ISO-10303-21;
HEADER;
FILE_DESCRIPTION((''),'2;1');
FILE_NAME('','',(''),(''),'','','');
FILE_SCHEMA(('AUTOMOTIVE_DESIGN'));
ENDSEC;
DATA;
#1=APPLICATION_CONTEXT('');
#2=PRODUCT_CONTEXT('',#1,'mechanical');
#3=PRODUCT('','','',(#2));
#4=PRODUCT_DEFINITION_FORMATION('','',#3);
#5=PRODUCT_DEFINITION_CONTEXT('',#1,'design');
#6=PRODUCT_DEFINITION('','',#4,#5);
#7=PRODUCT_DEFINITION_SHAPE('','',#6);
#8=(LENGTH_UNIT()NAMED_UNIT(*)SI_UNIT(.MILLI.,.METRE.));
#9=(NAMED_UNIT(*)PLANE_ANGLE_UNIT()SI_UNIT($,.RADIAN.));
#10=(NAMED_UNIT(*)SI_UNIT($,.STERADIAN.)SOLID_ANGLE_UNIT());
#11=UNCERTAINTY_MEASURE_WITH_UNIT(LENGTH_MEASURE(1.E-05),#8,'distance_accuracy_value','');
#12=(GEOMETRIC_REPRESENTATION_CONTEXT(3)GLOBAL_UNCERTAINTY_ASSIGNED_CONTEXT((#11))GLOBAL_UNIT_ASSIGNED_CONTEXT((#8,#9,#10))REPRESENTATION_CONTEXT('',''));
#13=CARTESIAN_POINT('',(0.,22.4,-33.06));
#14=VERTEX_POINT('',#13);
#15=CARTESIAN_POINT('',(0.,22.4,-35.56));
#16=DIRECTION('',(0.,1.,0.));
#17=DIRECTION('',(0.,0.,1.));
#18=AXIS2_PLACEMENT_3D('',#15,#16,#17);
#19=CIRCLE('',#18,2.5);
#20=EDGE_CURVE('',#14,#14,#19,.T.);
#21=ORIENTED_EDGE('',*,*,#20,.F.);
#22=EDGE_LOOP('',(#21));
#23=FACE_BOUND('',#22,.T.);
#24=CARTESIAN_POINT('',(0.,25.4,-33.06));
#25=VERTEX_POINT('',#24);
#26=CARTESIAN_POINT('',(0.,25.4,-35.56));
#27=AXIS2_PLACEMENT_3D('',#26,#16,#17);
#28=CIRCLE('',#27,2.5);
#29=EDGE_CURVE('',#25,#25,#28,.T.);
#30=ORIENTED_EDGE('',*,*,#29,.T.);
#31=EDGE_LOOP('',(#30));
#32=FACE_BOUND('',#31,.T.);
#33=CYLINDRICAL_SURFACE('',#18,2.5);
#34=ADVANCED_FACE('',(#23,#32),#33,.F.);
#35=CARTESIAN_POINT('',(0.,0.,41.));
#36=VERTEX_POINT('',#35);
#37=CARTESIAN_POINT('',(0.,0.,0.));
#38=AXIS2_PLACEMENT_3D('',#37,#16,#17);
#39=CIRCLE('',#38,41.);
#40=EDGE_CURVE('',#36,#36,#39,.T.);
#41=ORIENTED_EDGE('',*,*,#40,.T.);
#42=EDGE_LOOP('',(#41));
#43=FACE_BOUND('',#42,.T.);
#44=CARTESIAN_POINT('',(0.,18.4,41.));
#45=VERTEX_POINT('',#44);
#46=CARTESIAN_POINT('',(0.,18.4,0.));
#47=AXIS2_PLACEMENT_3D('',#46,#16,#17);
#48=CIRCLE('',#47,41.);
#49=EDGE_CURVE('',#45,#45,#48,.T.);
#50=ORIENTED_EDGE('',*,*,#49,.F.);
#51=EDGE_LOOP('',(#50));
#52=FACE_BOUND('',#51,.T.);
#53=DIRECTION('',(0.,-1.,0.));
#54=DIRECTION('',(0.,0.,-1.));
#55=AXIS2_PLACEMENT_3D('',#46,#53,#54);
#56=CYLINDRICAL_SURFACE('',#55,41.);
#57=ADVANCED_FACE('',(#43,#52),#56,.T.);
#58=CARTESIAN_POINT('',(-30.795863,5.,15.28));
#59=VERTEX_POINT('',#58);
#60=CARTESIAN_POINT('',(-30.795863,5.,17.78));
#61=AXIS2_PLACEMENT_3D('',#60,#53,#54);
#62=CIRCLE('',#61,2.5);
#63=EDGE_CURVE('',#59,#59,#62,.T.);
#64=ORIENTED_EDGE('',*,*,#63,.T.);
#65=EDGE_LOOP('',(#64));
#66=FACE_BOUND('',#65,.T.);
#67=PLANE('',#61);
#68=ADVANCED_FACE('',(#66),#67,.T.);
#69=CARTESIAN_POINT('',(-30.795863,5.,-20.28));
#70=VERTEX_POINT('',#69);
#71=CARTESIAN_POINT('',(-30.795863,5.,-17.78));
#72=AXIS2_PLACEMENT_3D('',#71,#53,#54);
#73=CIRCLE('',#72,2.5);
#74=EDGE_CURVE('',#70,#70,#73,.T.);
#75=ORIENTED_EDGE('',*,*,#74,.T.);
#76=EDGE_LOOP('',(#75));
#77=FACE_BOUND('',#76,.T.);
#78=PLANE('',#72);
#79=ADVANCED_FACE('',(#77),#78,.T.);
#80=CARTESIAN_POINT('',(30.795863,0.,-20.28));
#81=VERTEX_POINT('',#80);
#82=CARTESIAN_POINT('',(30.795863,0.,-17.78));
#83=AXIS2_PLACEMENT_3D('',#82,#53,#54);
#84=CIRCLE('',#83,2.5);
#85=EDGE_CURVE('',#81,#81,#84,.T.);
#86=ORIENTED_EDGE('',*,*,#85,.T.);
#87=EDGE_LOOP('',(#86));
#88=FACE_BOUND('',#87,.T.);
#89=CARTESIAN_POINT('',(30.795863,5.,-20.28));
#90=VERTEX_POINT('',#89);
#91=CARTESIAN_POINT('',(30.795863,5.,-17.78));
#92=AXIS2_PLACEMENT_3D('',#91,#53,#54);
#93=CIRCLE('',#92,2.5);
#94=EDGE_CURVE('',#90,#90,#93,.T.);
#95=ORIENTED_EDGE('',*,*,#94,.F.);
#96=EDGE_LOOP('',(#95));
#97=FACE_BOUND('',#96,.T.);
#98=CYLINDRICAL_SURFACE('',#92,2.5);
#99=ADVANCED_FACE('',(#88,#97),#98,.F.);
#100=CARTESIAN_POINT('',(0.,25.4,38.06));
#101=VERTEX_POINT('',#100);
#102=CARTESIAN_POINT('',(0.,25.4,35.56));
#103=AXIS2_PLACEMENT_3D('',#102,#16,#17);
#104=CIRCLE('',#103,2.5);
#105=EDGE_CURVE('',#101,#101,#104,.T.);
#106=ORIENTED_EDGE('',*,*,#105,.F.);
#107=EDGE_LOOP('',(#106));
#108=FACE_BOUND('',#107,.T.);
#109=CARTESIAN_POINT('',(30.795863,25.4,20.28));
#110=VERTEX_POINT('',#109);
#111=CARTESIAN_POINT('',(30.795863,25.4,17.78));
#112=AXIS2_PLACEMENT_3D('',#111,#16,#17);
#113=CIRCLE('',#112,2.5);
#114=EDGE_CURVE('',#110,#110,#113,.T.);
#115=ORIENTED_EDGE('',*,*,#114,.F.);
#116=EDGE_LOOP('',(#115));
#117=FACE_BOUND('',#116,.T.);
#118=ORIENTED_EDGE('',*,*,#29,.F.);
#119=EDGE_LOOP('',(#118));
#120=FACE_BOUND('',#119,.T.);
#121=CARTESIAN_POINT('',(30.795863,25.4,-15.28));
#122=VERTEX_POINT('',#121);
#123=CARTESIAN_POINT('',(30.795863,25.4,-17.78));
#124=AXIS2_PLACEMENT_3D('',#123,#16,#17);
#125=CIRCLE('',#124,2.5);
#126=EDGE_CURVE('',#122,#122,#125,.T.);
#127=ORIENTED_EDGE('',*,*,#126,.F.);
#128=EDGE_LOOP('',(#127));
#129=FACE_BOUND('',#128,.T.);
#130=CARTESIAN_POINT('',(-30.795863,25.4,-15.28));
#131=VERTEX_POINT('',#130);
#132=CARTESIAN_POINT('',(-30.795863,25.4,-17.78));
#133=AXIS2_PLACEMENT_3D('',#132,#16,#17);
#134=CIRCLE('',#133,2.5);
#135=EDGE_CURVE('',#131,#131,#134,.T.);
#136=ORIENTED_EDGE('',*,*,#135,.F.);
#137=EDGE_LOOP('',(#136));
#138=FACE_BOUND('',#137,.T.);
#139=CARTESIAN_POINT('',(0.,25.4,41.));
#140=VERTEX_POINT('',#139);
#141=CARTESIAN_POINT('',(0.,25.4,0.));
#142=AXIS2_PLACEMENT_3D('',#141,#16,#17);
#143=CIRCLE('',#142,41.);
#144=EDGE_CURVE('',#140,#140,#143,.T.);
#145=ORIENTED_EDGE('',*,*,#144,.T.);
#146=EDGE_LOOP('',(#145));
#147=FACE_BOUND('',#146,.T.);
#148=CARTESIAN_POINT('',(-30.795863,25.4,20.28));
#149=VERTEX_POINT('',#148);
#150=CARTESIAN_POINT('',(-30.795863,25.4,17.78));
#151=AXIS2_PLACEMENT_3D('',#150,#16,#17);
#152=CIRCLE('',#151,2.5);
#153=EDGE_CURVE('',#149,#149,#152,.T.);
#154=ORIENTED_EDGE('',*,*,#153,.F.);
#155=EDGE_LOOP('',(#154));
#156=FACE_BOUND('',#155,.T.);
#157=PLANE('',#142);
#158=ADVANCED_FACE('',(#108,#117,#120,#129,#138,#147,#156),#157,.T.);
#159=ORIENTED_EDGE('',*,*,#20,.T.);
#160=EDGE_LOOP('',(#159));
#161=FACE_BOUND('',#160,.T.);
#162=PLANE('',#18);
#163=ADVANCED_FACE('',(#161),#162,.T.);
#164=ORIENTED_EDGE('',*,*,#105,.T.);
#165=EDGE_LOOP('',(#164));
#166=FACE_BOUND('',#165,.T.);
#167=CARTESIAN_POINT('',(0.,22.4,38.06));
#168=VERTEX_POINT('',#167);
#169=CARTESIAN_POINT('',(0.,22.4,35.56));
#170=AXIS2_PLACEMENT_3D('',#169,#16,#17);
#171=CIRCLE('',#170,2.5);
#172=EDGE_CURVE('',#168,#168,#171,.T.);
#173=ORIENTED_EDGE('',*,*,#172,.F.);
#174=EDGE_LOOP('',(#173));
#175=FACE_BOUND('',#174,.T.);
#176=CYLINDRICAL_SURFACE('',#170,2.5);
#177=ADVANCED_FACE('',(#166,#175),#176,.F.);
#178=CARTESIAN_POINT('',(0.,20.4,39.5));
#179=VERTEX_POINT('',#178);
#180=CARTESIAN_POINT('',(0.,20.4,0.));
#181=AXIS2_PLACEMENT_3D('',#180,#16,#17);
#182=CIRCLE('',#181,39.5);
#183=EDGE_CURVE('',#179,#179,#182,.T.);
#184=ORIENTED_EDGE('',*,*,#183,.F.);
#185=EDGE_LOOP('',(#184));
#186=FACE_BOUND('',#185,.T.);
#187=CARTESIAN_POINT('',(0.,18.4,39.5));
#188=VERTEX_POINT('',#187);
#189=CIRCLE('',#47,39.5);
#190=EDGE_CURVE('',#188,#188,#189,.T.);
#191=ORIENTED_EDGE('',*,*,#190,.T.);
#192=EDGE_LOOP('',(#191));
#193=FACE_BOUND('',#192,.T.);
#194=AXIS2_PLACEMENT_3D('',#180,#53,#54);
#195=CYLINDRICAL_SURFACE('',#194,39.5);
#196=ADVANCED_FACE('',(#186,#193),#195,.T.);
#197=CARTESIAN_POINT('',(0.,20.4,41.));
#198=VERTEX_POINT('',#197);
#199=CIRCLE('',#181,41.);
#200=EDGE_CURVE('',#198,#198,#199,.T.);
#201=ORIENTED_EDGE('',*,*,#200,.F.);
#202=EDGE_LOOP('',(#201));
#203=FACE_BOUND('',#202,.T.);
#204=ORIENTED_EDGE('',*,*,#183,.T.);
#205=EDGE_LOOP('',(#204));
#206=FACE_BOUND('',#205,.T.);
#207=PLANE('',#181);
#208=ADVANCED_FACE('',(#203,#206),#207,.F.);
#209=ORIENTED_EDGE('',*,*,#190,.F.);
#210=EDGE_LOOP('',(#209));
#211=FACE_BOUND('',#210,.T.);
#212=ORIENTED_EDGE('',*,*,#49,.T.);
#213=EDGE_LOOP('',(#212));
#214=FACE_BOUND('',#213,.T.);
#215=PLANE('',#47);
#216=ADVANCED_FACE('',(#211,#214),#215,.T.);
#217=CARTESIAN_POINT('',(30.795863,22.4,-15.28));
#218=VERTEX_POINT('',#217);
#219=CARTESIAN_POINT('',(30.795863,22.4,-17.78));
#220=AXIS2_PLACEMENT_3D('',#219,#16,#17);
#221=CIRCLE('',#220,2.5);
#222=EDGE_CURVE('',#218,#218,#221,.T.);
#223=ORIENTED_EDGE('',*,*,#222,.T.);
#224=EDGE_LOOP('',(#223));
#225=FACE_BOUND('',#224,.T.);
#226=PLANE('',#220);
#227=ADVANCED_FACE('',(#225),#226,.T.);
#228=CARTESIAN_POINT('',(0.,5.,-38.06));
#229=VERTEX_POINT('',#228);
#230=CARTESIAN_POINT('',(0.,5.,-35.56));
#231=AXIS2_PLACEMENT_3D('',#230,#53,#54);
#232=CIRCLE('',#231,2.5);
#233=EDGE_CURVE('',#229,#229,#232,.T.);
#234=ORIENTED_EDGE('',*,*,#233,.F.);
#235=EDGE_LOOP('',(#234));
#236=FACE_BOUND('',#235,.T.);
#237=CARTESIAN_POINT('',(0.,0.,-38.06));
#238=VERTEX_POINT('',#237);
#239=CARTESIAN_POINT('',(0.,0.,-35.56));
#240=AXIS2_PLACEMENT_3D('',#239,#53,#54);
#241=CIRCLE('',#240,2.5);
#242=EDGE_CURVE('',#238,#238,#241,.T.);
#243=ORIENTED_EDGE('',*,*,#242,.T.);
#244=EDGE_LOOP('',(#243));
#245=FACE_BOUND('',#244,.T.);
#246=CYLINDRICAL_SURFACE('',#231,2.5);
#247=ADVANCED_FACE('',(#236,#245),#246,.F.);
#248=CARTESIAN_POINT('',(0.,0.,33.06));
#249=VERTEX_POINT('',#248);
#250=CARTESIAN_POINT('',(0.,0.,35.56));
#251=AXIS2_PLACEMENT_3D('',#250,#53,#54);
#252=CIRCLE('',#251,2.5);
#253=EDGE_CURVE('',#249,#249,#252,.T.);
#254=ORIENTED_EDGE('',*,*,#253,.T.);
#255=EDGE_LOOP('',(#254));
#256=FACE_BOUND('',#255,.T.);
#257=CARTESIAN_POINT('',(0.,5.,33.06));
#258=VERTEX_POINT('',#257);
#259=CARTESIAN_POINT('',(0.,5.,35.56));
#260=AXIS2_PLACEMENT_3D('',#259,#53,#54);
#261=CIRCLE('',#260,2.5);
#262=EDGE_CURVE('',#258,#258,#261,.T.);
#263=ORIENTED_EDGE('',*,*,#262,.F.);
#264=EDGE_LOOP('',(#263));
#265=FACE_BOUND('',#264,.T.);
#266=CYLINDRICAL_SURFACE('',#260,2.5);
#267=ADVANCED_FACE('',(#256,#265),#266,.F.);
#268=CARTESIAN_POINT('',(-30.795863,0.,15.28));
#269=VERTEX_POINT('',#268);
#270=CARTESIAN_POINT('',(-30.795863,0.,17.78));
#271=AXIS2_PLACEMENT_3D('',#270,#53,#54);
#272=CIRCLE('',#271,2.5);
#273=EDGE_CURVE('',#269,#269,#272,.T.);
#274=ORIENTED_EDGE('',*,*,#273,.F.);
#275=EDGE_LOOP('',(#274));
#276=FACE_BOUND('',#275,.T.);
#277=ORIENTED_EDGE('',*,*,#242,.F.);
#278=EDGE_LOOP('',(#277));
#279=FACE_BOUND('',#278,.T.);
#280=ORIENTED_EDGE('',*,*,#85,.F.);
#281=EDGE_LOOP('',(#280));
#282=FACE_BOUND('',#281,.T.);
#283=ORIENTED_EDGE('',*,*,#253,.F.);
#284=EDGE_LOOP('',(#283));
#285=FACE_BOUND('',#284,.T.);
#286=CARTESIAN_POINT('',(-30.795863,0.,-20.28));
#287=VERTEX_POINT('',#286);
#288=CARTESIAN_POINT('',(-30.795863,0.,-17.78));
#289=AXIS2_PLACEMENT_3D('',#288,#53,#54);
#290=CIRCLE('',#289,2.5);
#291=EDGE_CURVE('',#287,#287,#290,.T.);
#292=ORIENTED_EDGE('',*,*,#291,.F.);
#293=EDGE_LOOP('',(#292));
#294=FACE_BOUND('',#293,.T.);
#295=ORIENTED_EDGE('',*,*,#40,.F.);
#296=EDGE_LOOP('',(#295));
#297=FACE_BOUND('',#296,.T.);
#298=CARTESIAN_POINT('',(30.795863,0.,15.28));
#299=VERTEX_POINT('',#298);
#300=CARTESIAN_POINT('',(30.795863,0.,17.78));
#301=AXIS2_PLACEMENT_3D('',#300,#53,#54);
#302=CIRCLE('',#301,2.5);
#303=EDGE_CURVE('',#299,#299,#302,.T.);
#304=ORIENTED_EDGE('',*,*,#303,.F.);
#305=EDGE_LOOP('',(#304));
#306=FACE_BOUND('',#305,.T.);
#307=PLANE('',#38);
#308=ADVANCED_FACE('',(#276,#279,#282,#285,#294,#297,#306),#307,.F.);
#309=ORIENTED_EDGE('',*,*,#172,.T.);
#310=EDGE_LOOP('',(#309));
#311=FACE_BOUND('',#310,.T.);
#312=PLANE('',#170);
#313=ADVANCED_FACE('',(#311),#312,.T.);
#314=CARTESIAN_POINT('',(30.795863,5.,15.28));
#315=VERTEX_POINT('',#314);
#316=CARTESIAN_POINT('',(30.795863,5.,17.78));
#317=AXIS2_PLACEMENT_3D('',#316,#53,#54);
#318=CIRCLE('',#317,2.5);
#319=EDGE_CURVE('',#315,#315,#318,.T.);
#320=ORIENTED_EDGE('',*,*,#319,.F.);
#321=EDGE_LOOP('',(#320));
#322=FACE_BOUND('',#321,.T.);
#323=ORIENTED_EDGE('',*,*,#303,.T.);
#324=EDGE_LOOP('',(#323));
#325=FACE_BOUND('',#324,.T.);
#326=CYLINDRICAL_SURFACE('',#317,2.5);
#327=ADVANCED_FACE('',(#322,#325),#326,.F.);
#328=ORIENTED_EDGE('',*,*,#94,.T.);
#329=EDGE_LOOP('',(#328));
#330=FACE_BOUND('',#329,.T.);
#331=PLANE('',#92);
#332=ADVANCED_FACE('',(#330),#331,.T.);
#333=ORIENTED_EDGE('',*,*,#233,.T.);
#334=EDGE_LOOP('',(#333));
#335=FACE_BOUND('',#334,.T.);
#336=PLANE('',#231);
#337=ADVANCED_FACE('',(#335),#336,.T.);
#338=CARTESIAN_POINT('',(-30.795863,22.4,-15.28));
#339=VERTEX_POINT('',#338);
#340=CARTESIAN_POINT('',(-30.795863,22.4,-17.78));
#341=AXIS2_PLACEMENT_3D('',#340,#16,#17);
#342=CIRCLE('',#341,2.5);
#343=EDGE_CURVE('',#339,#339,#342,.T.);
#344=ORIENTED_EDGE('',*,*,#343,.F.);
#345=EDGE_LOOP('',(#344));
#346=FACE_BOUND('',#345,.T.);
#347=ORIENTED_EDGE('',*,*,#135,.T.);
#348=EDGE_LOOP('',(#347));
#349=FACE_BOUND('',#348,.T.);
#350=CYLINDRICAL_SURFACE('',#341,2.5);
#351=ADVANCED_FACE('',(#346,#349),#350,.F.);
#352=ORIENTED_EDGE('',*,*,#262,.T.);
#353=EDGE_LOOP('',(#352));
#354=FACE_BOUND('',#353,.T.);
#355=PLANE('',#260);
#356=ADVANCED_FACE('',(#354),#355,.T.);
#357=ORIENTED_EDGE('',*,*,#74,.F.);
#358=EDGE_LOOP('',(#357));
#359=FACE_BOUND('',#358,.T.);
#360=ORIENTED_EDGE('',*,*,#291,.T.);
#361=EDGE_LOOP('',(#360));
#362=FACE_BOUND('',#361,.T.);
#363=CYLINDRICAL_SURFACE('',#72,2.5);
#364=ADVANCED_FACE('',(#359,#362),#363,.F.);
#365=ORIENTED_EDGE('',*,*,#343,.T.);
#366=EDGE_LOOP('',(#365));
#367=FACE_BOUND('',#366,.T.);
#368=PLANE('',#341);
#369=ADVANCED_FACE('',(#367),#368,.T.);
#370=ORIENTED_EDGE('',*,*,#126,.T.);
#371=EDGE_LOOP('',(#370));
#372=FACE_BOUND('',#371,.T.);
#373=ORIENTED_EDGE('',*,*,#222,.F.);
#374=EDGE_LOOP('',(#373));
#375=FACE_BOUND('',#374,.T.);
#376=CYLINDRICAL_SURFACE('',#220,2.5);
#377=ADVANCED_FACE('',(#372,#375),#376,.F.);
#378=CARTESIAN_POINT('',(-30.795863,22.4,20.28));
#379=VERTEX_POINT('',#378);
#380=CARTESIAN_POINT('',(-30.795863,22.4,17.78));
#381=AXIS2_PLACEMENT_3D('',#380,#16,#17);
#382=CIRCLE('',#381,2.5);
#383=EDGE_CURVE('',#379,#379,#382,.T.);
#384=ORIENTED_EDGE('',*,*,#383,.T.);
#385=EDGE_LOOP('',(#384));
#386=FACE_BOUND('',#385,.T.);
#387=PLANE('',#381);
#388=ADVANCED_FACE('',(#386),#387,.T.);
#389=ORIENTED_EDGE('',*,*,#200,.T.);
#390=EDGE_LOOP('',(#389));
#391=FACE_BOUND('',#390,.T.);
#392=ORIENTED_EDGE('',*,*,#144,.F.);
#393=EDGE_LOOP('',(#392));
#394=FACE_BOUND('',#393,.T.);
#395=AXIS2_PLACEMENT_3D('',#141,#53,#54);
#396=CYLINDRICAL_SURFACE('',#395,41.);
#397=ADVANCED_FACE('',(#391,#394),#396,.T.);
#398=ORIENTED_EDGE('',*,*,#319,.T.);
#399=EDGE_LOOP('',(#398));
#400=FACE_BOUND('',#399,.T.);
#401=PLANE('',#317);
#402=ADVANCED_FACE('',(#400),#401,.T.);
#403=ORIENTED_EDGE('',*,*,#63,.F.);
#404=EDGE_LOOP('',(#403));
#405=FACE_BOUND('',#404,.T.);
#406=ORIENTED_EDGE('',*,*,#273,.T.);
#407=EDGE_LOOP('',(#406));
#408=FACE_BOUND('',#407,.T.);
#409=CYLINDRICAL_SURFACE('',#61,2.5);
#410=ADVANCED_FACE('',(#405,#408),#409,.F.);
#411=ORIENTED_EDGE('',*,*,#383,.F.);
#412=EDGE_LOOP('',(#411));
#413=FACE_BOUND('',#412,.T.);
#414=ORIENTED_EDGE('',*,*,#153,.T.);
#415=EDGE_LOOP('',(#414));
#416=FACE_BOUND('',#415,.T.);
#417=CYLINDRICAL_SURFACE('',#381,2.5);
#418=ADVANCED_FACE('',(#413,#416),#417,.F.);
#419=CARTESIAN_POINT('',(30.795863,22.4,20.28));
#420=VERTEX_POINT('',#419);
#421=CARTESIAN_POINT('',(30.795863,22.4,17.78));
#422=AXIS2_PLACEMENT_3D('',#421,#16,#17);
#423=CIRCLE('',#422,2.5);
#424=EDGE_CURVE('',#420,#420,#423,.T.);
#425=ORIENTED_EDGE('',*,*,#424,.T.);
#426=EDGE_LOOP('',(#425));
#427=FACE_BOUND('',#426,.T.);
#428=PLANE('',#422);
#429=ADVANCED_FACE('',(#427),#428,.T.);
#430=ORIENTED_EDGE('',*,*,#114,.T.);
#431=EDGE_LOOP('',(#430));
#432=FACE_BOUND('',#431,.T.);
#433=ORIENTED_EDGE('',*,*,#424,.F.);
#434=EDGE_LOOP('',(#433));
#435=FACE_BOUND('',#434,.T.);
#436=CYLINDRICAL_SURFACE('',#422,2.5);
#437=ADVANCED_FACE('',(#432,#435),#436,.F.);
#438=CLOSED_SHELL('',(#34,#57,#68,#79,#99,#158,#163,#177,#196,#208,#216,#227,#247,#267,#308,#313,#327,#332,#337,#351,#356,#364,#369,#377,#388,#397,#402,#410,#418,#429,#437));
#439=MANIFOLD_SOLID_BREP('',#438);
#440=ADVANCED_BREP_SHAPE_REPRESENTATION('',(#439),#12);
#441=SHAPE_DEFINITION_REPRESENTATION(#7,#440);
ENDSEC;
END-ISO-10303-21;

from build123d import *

# Parameters (mm, degrees)
SKETCH1_R           = 41
BOSS_EXTRUDE1_DEPTH = 18.4
SKETCH2_R           = 39.5
BOSS_EXTRUDE2_DEPTH = 2
SKETCH3_R           = 41
BOSS_EXTRUDE3_DEPTH = 5
SKETCH4_R           = 2.5
CUT_EXTRUDE1_DEPTH  = 5
CUT_EXTRUDE2_START  = -3
SKETCH5_R           = 2.5
CUT_EXTRUDE2_DEPTH  = 3


with BuildPart() as part:
    # Sketch1 → Boss-Extrude1 (new body)
    with BuildSketch(Plane(origin=(0, 0, 0), x_dir=(1, 0, 0), z_dir=(0, 1, 0))):
        with Locations(Location((0, 0, 0), (0, 0, 270))):
            Circle(SKETCH1_R)
    extrude(amount=BOSS_EXTRUDE1_DEPTH)

    # Sketch2 → Boss-Extrude2 (add)
    with BuildSketch(Plane(origin=(0, 18.4, 0), x_dir=(1, 0, 0), z_dir=(0, 1, 0))):
        with Locations(Location((0, 0, 0), (0, 0, 270))):
            Circle(SKETCH2_R)
    extrude(amount=BOSS_EXTRUDE2_DEPTH)

    # Sketch3 → Boss-Extrude3 (add)
    with BuildSketch(Plane(origin=(0, 20.4, 0), x_dir=(1, 0, 0), z_dir=(0, 1, 0))):
        with Locations(Location((0, 0, 0), (0, 0, 270))):
            Circle(SKETCH3_R)
    extrude(amount=BOSS_EXTRUDE3_DEPTH)

    # Sketch4 → Cut-Extrude1 (cut)
    with BuildSketch(Plane.XZ):
        with Locations(Location((30.795863359, 17.78, 0), (0, 0, 270))):
            Circle(SKETCH4_R)
        with Locations(Location((30.795863359, -17.78, 0), (0, 0, 270))):
            Circle(SKETCH4_R)
        with Locations(Location((0, -35.56, 0), (0, 0, 270))):
            Circle(SKETCH4_R)
        with Locations(Location((-30.795863359, -17.78, 0), (0, 0, 270))):
            Circle(SKETCH4_R)
        with Locations(Location((-30.795863359, 17.78, 0), (0, 0, 270))):
            Circle(SKETCH4_R)
        with Locations(Location((0, 35.56, 0), (0, 0, 270))):
            Circle(SKETCH4_R)
    extrude(amount=-CUT_EXTRUDE1_DEPTH, mode=Mode.SUBTRACT)

    # Sketch5 → Cut-Extrude2 (cut)
    with BuildSketch(Plane(origin=(0, 25.4, 0), x_dir=(1, 0, 0), z_dir=(0, 1, 0)).offset(CUT_EXTRUDE2_START)):
        with Locations(Location((30.795863359, 17.78, 0), (0, 0, 90))):
            Circle(SKETCH5_R)
        with Locations(Location((30.795863359, -17.78, 0), (0, 0, 90))):
            Circle(SKETCH5_R)
        with Locations(Location((0, -35.56, 0), (0, 0, 90))):
            Circle(SKETCH5_R)
        with Locations(Location((-30.795863359, -17.78, 0), (0, 0, 90))):
            Circle(SKETCH5_R)
        with Locations(Location((-30.795863359, 17.78, 0), (0, 0, 90))):
            Circle(SKETCH5_R)
        with Locations(Location((0, 35.56, 0), (0, 0, 90))):
            Circle(SKETCH5_R)
    extrude(amount=CUT_EXTRUDE2_DEPTH, mode=Mode.SUBTRACT)


solid = part.part
